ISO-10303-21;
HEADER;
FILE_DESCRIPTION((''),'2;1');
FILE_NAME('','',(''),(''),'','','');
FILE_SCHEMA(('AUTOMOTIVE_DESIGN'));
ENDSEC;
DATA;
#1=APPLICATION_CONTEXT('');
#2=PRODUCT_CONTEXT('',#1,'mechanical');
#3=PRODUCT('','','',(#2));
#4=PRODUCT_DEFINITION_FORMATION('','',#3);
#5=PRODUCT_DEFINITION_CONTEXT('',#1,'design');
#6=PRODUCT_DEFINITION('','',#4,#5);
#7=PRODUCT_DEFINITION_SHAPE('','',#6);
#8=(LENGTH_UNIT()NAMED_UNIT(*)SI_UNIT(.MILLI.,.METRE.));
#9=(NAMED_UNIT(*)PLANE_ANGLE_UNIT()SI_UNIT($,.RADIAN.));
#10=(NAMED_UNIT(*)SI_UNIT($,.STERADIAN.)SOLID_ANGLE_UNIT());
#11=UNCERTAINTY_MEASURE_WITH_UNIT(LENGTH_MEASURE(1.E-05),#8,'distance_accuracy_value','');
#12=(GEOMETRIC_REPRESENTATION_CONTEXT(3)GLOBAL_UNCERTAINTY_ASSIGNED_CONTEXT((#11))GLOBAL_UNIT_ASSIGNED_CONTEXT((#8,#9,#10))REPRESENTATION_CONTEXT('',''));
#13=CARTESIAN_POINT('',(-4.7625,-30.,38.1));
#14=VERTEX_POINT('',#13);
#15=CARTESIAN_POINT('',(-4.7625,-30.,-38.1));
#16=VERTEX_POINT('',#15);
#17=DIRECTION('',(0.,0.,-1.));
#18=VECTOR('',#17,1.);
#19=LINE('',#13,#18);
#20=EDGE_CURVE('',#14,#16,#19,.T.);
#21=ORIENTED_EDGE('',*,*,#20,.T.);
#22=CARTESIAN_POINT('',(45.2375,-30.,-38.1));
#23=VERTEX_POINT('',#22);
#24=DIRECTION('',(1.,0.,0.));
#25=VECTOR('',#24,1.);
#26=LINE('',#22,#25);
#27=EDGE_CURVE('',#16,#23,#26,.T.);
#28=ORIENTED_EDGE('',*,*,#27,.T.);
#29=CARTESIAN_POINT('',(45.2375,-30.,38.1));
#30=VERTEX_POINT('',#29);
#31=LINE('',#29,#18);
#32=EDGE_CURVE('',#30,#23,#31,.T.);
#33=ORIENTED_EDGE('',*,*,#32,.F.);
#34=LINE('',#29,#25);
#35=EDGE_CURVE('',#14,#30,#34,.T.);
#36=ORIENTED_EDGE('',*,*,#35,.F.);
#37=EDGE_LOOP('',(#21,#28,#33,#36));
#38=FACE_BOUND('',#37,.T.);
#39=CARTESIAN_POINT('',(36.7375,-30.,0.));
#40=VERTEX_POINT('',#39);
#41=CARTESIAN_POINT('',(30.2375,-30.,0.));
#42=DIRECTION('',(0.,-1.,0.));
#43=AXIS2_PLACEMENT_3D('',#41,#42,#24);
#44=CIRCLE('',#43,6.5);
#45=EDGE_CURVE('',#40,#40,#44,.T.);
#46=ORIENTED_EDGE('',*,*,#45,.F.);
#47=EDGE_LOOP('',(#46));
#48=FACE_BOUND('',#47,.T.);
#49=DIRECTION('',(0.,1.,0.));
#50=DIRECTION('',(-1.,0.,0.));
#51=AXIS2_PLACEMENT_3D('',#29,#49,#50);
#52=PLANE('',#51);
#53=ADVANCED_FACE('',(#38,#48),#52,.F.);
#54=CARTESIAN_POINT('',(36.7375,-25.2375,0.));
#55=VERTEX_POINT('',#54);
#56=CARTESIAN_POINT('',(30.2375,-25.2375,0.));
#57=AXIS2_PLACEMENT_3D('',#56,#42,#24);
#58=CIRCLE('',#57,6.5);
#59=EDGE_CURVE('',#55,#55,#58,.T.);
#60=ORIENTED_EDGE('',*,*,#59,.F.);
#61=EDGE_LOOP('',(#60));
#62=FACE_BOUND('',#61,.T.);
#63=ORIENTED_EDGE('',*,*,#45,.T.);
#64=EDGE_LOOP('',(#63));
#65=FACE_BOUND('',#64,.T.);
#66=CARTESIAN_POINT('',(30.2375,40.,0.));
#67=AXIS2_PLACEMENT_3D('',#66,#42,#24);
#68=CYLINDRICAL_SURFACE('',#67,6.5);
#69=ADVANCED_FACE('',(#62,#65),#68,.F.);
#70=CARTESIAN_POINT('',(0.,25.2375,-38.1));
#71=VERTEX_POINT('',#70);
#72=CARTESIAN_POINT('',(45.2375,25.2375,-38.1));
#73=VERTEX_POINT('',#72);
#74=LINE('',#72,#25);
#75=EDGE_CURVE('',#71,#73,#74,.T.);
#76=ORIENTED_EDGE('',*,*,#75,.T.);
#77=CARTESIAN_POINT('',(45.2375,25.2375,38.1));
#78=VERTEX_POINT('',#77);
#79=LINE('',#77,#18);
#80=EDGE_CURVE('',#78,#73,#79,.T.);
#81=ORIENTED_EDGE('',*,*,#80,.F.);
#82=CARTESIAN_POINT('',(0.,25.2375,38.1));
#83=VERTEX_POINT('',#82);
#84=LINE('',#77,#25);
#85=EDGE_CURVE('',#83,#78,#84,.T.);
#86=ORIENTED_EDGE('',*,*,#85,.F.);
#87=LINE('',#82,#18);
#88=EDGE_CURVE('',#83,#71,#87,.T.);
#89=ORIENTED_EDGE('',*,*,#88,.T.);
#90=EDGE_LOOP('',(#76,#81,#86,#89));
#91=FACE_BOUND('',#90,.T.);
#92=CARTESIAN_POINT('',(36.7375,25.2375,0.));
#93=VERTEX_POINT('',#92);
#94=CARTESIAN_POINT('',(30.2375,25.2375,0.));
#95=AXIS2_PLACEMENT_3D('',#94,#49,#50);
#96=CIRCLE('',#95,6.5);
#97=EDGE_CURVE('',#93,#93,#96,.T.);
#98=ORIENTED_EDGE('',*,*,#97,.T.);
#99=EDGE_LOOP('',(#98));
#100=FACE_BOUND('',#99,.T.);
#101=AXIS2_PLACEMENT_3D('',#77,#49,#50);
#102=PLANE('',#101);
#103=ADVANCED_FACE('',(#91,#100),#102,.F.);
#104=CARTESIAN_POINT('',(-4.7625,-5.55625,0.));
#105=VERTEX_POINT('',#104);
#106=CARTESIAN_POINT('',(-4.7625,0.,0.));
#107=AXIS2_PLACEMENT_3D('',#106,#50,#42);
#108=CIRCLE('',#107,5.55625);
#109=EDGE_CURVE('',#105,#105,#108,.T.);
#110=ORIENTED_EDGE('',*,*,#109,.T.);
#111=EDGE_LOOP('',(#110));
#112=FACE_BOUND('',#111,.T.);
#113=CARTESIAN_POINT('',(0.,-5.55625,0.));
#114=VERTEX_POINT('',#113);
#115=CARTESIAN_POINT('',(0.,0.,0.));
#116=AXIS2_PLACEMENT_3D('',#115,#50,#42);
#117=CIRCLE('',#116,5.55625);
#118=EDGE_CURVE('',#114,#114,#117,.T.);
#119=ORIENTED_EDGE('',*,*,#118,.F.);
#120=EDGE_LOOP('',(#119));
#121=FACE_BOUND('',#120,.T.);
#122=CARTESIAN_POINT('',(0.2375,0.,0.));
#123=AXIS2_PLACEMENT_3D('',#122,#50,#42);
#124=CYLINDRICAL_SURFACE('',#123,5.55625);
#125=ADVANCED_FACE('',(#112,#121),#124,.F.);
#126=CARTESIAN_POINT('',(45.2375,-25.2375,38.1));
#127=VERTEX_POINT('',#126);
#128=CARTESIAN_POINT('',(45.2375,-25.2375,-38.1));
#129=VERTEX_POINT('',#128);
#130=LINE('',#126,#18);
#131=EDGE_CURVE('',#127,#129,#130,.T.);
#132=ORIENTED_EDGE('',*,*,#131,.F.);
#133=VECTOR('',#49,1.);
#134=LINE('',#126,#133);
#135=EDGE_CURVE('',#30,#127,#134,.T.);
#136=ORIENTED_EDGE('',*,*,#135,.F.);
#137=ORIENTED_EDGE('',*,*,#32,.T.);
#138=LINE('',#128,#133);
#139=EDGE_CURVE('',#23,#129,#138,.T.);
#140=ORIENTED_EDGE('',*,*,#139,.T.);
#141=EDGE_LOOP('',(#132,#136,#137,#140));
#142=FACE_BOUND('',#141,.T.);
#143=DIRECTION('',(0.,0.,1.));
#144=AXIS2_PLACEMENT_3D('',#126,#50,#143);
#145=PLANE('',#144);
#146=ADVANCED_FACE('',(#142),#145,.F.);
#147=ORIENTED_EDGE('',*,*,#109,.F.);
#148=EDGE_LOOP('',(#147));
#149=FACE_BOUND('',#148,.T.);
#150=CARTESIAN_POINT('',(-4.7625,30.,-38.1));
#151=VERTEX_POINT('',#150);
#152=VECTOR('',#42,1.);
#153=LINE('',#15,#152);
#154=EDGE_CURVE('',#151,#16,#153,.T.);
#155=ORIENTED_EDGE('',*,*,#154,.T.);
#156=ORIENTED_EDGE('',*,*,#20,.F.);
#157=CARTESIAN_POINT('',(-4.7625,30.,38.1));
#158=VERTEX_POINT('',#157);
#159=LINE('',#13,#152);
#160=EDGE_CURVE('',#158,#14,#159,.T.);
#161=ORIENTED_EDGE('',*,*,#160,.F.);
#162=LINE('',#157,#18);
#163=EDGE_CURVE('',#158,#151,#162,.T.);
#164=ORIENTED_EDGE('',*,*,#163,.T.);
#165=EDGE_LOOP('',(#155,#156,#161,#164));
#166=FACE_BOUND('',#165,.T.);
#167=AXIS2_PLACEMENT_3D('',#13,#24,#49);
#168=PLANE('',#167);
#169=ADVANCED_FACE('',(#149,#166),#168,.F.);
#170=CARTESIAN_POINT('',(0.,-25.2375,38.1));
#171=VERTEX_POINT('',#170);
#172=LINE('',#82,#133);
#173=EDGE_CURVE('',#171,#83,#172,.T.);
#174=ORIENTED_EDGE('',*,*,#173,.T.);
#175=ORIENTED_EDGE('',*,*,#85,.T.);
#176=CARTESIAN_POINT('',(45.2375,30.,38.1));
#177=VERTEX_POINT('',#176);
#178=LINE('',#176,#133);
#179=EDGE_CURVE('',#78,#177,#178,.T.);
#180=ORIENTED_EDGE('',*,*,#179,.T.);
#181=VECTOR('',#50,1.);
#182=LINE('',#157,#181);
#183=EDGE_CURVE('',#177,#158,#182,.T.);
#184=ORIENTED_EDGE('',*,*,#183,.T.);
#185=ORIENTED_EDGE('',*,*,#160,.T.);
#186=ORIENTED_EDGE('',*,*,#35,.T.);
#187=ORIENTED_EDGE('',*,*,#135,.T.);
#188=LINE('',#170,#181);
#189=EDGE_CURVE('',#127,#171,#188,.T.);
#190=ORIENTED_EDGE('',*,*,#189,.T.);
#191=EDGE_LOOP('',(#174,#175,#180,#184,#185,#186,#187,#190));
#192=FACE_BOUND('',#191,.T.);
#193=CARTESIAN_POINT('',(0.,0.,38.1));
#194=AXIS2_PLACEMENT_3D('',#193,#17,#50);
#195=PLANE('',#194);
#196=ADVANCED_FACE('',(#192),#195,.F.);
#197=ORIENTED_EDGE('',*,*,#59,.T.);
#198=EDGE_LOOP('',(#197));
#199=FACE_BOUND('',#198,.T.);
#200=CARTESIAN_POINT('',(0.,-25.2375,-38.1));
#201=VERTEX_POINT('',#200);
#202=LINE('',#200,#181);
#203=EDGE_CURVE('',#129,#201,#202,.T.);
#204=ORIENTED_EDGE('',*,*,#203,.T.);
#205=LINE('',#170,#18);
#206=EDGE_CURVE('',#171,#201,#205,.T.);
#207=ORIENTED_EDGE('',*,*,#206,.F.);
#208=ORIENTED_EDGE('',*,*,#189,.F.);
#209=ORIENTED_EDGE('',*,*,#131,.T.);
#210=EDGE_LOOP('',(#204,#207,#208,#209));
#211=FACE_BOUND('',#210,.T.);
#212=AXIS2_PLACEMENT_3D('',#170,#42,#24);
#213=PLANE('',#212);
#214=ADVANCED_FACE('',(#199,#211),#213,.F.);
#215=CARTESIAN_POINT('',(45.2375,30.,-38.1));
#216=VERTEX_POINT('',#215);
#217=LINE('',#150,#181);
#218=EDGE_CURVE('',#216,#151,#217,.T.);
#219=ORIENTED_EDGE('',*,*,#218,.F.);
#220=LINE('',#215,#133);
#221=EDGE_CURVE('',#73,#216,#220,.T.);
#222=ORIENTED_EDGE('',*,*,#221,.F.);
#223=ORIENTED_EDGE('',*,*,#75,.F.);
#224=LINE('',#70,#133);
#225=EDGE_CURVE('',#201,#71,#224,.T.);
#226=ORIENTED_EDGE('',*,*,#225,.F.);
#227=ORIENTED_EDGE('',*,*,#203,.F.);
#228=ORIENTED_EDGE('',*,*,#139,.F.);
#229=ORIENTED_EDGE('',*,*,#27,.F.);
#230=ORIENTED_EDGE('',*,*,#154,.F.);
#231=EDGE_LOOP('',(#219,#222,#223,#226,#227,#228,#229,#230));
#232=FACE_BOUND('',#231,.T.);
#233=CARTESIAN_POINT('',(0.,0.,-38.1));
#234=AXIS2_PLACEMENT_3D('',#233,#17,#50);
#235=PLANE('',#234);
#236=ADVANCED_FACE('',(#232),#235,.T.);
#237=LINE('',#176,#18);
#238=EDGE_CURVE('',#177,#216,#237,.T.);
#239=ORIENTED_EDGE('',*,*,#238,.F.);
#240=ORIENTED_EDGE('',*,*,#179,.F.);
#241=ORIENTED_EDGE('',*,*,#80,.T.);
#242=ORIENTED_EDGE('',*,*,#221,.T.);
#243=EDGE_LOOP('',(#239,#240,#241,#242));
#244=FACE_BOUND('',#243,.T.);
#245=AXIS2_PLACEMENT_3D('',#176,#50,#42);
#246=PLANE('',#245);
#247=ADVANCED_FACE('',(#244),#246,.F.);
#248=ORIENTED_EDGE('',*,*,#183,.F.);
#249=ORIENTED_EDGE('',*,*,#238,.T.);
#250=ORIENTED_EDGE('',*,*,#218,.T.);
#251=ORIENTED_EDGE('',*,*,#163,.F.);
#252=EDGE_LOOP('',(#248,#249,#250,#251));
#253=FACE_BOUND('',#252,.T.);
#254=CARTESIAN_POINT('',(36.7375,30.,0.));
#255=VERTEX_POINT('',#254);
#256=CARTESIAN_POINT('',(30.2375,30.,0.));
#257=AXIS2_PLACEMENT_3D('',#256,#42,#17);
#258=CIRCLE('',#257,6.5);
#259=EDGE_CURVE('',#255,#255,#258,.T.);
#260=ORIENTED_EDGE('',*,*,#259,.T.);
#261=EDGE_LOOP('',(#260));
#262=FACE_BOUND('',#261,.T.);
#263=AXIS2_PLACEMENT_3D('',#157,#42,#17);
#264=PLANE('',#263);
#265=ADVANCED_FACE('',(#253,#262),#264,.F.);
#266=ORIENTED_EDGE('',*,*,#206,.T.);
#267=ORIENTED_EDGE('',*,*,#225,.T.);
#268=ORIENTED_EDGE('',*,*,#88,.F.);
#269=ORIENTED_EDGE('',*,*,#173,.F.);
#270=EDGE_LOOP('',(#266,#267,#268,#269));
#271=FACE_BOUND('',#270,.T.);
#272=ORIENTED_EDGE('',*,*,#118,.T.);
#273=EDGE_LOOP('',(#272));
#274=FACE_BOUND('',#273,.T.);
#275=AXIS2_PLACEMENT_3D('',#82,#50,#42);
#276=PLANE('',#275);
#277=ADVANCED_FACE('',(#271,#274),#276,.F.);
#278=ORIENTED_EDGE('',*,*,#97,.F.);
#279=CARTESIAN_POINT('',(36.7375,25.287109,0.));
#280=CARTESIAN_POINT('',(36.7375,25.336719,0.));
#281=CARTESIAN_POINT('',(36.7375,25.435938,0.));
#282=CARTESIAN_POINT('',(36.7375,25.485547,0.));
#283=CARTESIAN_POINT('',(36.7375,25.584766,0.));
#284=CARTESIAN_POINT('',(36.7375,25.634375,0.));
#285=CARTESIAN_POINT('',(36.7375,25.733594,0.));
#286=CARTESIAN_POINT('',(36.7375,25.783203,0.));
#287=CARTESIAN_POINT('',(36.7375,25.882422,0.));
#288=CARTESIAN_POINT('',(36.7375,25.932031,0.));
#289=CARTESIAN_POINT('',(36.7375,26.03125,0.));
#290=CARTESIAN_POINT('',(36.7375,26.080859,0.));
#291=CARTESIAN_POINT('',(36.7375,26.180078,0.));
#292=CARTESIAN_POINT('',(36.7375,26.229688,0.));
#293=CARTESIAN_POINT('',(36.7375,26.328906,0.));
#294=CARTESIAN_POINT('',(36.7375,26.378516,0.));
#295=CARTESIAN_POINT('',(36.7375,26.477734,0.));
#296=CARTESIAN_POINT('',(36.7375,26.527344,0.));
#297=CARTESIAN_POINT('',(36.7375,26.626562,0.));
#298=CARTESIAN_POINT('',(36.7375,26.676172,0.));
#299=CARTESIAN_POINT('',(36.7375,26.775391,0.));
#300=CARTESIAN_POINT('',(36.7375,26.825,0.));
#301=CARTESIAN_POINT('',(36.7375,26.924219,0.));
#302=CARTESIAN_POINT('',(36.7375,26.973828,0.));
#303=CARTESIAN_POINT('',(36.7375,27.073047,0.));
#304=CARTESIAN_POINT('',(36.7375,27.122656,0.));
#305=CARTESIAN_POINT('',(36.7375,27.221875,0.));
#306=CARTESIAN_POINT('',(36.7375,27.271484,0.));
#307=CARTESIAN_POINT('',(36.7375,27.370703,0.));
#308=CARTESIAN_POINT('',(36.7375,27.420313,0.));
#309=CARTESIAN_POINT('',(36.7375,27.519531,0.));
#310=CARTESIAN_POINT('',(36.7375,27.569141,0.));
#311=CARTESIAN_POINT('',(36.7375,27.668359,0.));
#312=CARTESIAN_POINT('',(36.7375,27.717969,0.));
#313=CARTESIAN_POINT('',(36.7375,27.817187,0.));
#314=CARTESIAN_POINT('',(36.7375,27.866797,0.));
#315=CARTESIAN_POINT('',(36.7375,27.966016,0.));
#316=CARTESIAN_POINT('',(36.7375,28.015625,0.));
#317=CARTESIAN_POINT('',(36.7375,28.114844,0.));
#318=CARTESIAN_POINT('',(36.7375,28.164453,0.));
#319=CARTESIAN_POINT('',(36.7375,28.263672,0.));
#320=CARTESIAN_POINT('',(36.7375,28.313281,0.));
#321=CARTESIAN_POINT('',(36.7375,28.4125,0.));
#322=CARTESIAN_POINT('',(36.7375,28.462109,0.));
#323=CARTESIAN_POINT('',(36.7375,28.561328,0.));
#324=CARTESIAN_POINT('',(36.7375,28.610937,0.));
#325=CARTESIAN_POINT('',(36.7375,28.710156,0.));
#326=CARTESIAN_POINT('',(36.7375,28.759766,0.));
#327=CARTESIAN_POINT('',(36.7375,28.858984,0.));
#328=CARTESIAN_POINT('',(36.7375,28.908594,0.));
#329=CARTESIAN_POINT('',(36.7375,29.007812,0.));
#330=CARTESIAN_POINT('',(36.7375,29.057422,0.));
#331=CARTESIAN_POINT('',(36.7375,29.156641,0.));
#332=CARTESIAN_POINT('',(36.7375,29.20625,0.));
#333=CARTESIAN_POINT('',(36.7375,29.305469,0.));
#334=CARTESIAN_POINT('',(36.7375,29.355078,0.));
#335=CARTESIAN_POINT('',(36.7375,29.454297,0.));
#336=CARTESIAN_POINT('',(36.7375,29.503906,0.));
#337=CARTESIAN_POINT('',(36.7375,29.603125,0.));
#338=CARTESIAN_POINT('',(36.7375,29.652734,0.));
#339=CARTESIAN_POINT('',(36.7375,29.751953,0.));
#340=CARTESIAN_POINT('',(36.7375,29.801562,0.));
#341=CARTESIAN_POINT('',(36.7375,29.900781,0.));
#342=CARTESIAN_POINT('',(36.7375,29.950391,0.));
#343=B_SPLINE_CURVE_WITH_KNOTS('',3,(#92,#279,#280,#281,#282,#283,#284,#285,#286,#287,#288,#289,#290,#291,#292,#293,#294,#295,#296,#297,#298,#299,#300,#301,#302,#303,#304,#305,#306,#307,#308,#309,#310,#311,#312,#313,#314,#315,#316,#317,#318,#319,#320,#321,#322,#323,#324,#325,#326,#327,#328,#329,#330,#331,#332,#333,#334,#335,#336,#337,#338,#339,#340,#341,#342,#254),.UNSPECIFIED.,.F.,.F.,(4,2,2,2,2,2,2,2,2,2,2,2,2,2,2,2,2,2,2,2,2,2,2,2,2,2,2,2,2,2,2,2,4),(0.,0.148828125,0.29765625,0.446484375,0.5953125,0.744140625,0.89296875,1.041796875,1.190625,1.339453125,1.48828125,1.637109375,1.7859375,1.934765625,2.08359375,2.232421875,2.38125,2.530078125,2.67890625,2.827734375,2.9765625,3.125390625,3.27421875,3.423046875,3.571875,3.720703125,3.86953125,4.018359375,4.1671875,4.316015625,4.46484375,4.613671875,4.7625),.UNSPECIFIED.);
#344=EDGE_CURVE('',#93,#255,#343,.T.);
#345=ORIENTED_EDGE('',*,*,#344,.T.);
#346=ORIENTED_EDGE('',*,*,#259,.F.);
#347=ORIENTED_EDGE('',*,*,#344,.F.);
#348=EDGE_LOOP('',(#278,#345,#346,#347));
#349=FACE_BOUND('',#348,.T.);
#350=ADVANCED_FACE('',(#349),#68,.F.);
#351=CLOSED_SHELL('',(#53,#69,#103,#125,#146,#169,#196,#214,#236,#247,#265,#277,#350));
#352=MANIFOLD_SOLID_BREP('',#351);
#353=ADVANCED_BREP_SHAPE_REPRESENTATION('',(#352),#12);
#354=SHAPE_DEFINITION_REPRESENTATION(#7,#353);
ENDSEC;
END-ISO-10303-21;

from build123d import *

# Parameters (mm, degrees)
SALIENTE_EXTRUIR3_DEPTH = 38.1
CROQUIS7_R              = 5.55625
CORTAR_EXTRUIR1_DEPTH   = 5
CROQUIS8_R              = 6.5
CORTAR_EXTRUIR2_DEPTH   = 70


with BuildPart() as part:
    # Croquis6 → Saliente-Extruir3 (new, symmetric)
    with BuildSketch(Plane.XY):
        Polygon((45.2375, 25.2375), (0, 25.2375), (0, -25.2375), (45.2375, -25.2375), (45.2375, -30), (-4.7625, -30), (-4.7625, 30), (45.2375, 30), align=None)
    extrude(amount=SALIENTE_EXTRUIR3_DEPTH, both=True)

    # Croquis7 → Cortar-Extruir1 (cut)
    with BuildSketch(Plane.ZY.offset(4.7625)):
        with Locations(Location((0, 0, 0), (0, 0, 270))):
            Circle(CROQUIS7_R)
    extrude(amount=-CORTAR_EXTRUIR1_DEPTH, mode=Mode.SUBTRACT)

    # Croquis8 → Cortar-Extruir2 (cut)
    with BuildSketch(Plane.XZ.offset(30)):
        with Locations((30.2375, 0)):
            Circle(CROQUIS8_R)
    extrude(amount=-CORTAR_EXTRUIR2_DEPTH, mode=Mode.SUBTRACT)


solid = part.part
